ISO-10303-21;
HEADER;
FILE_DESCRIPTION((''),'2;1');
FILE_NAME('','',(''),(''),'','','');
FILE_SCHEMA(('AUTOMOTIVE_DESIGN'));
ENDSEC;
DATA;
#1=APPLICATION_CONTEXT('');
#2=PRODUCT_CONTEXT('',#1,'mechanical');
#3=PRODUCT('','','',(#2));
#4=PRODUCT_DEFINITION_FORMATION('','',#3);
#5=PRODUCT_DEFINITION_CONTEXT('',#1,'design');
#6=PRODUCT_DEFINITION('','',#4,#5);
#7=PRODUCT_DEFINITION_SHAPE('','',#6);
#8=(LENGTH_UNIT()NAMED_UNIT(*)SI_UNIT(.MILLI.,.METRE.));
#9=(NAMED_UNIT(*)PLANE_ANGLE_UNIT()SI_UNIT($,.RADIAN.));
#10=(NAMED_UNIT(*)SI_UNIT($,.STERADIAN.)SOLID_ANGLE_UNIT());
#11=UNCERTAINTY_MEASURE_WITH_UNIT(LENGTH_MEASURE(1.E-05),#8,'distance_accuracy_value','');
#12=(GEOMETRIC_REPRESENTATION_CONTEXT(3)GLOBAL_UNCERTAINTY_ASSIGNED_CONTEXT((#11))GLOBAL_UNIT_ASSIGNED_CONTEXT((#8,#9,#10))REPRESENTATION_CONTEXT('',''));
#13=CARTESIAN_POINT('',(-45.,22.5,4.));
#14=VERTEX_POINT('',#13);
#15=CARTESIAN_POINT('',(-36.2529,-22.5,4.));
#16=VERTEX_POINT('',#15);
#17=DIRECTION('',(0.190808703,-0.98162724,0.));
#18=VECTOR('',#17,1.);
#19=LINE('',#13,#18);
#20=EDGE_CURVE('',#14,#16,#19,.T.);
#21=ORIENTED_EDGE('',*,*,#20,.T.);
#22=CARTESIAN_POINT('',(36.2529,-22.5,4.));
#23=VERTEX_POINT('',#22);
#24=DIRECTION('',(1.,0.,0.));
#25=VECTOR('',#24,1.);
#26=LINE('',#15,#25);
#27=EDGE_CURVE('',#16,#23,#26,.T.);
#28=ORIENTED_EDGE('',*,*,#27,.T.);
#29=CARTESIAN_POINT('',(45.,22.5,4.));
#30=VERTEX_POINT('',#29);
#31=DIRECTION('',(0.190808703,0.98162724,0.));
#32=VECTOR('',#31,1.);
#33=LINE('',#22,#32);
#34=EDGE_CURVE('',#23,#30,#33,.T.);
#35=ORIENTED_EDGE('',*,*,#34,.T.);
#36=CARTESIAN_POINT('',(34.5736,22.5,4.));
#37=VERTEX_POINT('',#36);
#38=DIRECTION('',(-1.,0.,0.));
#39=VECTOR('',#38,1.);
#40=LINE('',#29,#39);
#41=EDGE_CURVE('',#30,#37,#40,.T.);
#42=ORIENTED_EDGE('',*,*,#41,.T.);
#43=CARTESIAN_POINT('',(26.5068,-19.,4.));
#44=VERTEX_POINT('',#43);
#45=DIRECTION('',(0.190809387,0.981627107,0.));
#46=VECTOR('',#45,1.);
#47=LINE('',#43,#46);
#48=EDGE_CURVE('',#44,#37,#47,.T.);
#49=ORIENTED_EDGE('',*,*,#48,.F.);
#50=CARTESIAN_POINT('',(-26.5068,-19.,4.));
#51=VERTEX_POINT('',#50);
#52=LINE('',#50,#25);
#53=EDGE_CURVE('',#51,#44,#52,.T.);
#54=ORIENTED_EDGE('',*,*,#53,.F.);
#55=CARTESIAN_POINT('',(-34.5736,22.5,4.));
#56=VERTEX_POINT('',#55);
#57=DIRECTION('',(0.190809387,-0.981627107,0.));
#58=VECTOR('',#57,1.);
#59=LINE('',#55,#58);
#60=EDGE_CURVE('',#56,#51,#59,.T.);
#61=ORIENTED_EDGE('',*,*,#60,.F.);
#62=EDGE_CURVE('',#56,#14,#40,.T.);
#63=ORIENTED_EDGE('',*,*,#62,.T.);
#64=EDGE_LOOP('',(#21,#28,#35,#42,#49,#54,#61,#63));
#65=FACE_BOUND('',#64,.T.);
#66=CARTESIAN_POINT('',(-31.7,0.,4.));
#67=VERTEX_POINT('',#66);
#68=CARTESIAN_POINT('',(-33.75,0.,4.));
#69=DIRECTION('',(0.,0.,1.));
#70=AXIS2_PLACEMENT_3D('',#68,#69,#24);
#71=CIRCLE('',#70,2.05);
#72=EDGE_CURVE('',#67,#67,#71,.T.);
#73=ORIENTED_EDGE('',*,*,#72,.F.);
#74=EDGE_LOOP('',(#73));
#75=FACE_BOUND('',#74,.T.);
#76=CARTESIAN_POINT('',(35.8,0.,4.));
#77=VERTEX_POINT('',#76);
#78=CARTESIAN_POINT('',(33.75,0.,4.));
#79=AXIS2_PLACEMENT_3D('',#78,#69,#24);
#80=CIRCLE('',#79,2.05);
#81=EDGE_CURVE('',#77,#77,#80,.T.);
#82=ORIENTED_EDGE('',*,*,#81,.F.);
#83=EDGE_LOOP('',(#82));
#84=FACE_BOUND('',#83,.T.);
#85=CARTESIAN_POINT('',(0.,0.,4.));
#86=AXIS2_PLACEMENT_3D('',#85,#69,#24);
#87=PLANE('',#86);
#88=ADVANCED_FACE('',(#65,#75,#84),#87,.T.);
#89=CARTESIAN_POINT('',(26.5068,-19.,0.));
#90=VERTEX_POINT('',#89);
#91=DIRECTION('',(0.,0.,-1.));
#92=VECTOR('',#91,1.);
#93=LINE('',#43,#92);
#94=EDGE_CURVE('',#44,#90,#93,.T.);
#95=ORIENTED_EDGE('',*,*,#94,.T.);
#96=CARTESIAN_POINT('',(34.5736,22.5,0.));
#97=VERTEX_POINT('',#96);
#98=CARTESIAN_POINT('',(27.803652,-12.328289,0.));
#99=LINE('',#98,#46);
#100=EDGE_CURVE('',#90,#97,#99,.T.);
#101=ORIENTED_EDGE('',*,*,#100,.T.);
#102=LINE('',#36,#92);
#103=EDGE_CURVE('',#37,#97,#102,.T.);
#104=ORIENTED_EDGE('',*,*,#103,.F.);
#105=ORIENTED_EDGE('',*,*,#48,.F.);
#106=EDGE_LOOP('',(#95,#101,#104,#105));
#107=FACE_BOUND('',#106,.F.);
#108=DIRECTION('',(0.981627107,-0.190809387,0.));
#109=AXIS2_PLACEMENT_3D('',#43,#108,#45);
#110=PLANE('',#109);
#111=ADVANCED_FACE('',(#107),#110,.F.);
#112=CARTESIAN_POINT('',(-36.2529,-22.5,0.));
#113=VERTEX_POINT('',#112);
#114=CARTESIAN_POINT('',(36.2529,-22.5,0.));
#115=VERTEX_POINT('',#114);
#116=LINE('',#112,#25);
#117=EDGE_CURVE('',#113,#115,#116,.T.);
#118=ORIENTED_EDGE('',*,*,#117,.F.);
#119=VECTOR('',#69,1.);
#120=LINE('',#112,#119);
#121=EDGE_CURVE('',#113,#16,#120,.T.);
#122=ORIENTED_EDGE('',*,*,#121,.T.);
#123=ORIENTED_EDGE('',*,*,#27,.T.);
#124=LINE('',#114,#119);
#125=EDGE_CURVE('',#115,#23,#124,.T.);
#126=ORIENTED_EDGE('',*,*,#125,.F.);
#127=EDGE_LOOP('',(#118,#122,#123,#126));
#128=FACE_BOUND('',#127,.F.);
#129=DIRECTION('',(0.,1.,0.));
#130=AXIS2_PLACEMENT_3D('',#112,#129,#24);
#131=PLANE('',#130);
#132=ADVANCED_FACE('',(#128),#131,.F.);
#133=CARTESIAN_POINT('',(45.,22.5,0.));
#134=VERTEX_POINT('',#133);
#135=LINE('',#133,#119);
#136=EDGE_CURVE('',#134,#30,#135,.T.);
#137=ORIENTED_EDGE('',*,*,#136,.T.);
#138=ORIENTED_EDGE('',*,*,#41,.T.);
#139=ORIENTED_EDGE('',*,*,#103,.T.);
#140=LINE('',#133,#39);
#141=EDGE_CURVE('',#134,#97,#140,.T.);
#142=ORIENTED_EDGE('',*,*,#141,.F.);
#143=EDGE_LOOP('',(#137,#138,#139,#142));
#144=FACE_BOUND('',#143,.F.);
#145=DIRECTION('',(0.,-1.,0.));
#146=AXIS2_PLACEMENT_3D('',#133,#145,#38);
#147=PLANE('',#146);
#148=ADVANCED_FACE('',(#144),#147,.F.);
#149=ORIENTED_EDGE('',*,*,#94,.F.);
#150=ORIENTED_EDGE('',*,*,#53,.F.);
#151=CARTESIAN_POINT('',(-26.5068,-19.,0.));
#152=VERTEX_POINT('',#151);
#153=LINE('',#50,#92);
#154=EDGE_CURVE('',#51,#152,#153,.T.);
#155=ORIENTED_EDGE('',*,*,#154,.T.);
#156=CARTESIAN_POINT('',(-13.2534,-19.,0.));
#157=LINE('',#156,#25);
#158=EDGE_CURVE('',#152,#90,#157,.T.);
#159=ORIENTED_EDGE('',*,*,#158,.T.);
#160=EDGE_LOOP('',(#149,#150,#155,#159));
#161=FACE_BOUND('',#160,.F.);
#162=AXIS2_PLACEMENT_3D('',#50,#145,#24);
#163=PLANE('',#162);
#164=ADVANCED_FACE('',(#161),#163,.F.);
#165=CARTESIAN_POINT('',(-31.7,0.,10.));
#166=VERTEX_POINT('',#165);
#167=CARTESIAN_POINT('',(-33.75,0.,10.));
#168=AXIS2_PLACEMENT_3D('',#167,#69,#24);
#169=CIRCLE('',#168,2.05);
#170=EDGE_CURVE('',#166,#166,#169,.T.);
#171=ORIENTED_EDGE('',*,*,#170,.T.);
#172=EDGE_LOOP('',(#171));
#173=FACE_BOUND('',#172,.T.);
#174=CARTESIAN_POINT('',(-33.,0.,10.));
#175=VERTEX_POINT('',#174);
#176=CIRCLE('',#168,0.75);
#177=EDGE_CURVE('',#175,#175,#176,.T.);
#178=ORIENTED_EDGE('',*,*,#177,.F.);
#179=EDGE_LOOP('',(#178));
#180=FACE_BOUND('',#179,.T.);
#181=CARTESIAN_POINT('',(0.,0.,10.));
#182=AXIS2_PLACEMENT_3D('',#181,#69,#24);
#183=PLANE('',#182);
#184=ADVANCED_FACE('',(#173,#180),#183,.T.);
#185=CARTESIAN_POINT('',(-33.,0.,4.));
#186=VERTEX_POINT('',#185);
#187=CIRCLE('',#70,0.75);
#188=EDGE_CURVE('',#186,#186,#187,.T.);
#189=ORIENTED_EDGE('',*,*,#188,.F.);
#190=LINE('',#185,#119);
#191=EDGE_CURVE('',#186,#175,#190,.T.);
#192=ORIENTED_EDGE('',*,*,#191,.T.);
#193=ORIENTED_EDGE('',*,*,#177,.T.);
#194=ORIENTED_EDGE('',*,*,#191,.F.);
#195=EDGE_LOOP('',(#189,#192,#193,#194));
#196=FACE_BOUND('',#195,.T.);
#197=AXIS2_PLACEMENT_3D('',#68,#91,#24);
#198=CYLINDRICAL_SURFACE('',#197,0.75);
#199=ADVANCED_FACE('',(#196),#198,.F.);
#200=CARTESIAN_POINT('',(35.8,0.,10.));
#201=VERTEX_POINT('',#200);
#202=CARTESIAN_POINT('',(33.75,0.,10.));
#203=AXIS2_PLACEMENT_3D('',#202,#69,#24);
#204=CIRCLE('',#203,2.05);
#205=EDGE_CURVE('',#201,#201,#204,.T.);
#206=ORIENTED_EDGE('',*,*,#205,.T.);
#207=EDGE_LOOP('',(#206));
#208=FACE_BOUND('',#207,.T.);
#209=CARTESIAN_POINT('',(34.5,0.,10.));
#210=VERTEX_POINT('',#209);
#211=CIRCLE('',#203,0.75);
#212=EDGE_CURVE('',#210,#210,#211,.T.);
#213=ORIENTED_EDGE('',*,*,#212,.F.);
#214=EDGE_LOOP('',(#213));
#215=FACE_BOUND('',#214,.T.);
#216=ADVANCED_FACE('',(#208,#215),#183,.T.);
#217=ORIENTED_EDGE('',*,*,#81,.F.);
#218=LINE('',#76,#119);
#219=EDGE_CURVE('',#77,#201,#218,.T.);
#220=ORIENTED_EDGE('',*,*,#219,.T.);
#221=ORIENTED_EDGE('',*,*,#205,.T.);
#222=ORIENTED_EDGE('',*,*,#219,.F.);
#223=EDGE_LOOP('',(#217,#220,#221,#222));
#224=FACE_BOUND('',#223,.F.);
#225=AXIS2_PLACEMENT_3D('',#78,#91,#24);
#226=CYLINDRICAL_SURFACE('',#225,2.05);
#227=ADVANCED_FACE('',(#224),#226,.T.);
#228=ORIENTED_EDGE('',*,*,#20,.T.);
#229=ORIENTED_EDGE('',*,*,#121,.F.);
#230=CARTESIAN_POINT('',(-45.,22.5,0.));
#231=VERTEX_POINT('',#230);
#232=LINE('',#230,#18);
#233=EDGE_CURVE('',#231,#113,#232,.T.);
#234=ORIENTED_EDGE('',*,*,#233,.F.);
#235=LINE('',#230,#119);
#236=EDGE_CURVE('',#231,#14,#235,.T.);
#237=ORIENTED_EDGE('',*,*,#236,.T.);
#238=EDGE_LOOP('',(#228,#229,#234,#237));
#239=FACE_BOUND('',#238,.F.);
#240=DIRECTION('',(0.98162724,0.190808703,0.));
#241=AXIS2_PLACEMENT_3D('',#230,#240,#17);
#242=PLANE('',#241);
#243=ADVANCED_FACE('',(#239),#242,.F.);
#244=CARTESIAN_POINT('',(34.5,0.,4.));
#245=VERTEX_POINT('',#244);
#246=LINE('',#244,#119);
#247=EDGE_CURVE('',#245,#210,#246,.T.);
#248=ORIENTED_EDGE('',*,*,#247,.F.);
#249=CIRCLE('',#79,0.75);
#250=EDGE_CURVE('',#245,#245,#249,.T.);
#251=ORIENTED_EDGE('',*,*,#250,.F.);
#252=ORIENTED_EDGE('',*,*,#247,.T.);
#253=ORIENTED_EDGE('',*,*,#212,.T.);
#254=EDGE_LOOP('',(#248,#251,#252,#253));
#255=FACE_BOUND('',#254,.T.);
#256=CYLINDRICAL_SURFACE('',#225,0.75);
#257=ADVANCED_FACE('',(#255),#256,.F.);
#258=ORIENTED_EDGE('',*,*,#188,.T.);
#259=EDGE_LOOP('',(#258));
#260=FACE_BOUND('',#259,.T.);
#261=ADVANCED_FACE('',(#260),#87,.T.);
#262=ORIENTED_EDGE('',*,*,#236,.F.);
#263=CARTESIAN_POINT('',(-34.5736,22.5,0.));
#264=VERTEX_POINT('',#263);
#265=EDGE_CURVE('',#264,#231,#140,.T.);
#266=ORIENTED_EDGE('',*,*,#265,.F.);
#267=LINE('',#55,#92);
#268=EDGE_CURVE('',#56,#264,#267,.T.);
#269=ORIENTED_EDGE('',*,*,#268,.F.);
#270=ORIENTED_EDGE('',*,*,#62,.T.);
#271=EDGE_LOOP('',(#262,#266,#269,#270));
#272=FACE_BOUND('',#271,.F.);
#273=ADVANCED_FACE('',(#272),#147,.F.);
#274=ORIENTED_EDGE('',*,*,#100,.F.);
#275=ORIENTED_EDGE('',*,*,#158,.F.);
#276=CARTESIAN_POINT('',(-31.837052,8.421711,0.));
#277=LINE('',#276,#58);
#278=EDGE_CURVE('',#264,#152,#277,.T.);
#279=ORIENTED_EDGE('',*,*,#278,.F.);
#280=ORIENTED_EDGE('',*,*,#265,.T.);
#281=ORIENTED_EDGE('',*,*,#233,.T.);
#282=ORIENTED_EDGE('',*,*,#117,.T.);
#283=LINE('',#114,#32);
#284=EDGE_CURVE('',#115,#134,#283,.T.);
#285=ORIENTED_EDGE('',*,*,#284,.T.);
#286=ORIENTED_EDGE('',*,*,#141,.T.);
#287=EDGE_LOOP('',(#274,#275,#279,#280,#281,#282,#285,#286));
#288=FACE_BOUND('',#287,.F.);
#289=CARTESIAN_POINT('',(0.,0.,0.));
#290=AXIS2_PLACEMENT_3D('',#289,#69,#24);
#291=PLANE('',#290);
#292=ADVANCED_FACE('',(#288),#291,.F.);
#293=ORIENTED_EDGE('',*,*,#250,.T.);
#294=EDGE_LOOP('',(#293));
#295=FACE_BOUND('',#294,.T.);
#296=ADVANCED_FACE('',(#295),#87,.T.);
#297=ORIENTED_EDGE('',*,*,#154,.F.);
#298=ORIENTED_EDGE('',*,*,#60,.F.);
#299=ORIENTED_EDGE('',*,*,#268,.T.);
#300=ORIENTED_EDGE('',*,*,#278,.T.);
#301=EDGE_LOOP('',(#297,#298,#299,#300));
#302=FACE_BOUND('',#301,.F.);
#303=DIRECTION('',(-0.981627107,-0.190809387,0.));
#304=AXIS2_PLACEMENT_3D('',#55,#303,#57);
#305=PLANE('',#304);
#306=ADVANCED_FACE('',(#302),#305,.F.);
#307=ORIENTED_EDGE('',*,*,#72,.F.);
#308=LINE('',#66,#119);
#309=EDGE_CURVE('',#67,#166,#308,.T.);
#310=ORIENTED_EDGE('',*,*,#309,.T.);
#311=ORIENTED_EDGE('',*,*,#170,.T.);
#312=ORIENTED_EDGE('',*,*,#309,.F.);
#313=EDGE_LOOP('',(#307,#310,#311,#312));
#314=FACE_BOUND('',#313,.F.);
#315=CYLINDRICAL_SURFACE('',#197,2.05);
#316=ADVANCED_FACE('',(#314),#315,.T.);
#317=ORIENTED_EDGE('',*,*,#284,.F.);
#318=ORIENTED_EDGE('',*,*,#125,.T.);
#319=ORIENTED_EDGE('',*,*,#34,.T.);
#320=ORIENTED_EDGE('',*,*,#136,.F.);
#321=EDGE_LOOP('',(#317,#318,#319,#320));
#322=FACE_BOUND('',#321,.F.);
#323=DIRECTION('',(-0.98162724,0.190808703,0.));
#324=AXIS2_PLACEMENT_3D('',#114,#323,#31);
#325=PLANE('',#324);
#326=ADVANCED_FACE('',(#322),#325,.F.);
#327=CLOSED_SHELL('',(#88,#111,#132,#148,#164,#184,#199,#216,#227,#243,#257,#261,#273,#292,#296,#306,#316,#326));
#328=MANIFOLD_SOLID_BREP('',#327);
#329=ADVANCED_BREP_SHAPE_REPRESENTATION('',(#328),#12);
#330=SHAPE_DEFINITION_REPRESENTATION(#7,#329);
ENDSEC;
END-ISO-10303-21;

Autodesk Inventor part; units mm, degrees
ref_plane "YZ Plane" through (0, 0, 0) normal (1, 0, 0) x (0, 1, 0)
ref_plane "XZ Plane" through (0, 0, 0) normal (0, 1, 0) x (-1, 0, 0)
ref_plane "XY Plane" through (0, 0, 0) normal (0, 0, 1) x (1, 0, 0)
sketch "Sketch1" plane through (0, 0, 0) normal (0, 0, 1) x (1, 0, 0)
  line L0 (-36.2529, -22.5) -> (36.2529, -22.5)
  line L1 (36.2529, -22.5) -> (45, 22.5)
  line L2 (45, 22.5) -> (-45, 22.5)
  line L3 (-45, 22.5) -> (-36.2529, -22.5)
  point P0 (0, 0)
  point P1 (0, -22.5)
  point P2 (40.6264, 0)
  point P3 (0, 22.5)
  dimension "d0" = 45
  dimension "d1" = 22
  dimension "d2" = 90
extrude "Extrusion1" add sketch "Sketch1" along normal blind 4
sketch "Sketch2" plane through (0, 0, 4) normal (0, 0, 1) x (1, 0, 0)
  line L0 (-33.75, 0) -> (33.75, 0) construction
  circle A0 centre (33.75, 0) radius 2.05
  circle A1 centre (-33.75, 0) radius 2.05
  line L1 (45, 22.5) -> (-45, 22.5) projected
  line L2 (-36.2529, -22.5) -> (36.2529, -22.5) projected
  circle A2 centre (33.75, 0) radius 0.75
  circle A3 centre (-33.75, 0) radius 0.75
  point P0 (0, 0)
  point P1 (0, 0)
  dimension "d5" = 67.5
  dimension "d6" = 4.1
  dimension "d7" = 22.5
  dimension "d8" = 45
  dimension "d9" = 1.5
extrude "Extrusion2" add sketch "Sketch2" along normal blind 6
sketch "Sketch3" plane through (0, 0, 4) normal (0, 0, 1) x (1, 0, 0)
  line L0 (-26.5068, -19) -> (26.5068, -19)
  line L1 (26.5068, -19) -> (34.5736, 22.5)
  line L2 (34.5736, 22.5) -> (-34.5736, 22.5)
  line L3 (-34.5736, 22.5) -> (-26.5068, -19)
  line L4 (-45, 22.5) -> (-36.2529, -22.5) projected
  line L5 (36.2529, -22.5) -> (45, 22.5) projected
  line L6 (-30.2, 0) -> (30.2, 0) construction
  circle A0 centre (33.75, 0) radius 2.05 projected
  line L7 (45, 22.5) -> (-45, 22.5) projected
  circle A1 centre (33.75, 0) radius 0.75 projected
  point P0 (0, 0)
  point P1 (0, -19)
  dimension "d13" = 60.4
  dimension "d14" = 19
extrude "Extrusion3" cut sketch "Sketch3" against normal through all contours L3 L2 L1 L0
sketch "Sketch4" plane through (0, 0, 4) normal (0, 0, 1) x (1, 0, 0)
  line L0 (37.1379, 16.0576) -> (37.8822, 19.7792) construction
  line L1 (35.8639, 16.3124) -> (36.6083, 20.034)
  line L2 (39.1561, 19.5244) -> (38.4118, 15.8028)
  arc A0 (35.8639, 16.3124) -> (38.4118, 15.8028) centre (37.1379, 16.0576) ccw
  arc A1 (39.1561, 19.5244) -> (36.6083, 20.034) centre (37.8822, 19.7792) ccw
  point P0 (0, 0)
  point P1 (37.51, 17.9184)
equation "\"d7\" = 0.5 * d8"
properties part number "Touchpad Top"
